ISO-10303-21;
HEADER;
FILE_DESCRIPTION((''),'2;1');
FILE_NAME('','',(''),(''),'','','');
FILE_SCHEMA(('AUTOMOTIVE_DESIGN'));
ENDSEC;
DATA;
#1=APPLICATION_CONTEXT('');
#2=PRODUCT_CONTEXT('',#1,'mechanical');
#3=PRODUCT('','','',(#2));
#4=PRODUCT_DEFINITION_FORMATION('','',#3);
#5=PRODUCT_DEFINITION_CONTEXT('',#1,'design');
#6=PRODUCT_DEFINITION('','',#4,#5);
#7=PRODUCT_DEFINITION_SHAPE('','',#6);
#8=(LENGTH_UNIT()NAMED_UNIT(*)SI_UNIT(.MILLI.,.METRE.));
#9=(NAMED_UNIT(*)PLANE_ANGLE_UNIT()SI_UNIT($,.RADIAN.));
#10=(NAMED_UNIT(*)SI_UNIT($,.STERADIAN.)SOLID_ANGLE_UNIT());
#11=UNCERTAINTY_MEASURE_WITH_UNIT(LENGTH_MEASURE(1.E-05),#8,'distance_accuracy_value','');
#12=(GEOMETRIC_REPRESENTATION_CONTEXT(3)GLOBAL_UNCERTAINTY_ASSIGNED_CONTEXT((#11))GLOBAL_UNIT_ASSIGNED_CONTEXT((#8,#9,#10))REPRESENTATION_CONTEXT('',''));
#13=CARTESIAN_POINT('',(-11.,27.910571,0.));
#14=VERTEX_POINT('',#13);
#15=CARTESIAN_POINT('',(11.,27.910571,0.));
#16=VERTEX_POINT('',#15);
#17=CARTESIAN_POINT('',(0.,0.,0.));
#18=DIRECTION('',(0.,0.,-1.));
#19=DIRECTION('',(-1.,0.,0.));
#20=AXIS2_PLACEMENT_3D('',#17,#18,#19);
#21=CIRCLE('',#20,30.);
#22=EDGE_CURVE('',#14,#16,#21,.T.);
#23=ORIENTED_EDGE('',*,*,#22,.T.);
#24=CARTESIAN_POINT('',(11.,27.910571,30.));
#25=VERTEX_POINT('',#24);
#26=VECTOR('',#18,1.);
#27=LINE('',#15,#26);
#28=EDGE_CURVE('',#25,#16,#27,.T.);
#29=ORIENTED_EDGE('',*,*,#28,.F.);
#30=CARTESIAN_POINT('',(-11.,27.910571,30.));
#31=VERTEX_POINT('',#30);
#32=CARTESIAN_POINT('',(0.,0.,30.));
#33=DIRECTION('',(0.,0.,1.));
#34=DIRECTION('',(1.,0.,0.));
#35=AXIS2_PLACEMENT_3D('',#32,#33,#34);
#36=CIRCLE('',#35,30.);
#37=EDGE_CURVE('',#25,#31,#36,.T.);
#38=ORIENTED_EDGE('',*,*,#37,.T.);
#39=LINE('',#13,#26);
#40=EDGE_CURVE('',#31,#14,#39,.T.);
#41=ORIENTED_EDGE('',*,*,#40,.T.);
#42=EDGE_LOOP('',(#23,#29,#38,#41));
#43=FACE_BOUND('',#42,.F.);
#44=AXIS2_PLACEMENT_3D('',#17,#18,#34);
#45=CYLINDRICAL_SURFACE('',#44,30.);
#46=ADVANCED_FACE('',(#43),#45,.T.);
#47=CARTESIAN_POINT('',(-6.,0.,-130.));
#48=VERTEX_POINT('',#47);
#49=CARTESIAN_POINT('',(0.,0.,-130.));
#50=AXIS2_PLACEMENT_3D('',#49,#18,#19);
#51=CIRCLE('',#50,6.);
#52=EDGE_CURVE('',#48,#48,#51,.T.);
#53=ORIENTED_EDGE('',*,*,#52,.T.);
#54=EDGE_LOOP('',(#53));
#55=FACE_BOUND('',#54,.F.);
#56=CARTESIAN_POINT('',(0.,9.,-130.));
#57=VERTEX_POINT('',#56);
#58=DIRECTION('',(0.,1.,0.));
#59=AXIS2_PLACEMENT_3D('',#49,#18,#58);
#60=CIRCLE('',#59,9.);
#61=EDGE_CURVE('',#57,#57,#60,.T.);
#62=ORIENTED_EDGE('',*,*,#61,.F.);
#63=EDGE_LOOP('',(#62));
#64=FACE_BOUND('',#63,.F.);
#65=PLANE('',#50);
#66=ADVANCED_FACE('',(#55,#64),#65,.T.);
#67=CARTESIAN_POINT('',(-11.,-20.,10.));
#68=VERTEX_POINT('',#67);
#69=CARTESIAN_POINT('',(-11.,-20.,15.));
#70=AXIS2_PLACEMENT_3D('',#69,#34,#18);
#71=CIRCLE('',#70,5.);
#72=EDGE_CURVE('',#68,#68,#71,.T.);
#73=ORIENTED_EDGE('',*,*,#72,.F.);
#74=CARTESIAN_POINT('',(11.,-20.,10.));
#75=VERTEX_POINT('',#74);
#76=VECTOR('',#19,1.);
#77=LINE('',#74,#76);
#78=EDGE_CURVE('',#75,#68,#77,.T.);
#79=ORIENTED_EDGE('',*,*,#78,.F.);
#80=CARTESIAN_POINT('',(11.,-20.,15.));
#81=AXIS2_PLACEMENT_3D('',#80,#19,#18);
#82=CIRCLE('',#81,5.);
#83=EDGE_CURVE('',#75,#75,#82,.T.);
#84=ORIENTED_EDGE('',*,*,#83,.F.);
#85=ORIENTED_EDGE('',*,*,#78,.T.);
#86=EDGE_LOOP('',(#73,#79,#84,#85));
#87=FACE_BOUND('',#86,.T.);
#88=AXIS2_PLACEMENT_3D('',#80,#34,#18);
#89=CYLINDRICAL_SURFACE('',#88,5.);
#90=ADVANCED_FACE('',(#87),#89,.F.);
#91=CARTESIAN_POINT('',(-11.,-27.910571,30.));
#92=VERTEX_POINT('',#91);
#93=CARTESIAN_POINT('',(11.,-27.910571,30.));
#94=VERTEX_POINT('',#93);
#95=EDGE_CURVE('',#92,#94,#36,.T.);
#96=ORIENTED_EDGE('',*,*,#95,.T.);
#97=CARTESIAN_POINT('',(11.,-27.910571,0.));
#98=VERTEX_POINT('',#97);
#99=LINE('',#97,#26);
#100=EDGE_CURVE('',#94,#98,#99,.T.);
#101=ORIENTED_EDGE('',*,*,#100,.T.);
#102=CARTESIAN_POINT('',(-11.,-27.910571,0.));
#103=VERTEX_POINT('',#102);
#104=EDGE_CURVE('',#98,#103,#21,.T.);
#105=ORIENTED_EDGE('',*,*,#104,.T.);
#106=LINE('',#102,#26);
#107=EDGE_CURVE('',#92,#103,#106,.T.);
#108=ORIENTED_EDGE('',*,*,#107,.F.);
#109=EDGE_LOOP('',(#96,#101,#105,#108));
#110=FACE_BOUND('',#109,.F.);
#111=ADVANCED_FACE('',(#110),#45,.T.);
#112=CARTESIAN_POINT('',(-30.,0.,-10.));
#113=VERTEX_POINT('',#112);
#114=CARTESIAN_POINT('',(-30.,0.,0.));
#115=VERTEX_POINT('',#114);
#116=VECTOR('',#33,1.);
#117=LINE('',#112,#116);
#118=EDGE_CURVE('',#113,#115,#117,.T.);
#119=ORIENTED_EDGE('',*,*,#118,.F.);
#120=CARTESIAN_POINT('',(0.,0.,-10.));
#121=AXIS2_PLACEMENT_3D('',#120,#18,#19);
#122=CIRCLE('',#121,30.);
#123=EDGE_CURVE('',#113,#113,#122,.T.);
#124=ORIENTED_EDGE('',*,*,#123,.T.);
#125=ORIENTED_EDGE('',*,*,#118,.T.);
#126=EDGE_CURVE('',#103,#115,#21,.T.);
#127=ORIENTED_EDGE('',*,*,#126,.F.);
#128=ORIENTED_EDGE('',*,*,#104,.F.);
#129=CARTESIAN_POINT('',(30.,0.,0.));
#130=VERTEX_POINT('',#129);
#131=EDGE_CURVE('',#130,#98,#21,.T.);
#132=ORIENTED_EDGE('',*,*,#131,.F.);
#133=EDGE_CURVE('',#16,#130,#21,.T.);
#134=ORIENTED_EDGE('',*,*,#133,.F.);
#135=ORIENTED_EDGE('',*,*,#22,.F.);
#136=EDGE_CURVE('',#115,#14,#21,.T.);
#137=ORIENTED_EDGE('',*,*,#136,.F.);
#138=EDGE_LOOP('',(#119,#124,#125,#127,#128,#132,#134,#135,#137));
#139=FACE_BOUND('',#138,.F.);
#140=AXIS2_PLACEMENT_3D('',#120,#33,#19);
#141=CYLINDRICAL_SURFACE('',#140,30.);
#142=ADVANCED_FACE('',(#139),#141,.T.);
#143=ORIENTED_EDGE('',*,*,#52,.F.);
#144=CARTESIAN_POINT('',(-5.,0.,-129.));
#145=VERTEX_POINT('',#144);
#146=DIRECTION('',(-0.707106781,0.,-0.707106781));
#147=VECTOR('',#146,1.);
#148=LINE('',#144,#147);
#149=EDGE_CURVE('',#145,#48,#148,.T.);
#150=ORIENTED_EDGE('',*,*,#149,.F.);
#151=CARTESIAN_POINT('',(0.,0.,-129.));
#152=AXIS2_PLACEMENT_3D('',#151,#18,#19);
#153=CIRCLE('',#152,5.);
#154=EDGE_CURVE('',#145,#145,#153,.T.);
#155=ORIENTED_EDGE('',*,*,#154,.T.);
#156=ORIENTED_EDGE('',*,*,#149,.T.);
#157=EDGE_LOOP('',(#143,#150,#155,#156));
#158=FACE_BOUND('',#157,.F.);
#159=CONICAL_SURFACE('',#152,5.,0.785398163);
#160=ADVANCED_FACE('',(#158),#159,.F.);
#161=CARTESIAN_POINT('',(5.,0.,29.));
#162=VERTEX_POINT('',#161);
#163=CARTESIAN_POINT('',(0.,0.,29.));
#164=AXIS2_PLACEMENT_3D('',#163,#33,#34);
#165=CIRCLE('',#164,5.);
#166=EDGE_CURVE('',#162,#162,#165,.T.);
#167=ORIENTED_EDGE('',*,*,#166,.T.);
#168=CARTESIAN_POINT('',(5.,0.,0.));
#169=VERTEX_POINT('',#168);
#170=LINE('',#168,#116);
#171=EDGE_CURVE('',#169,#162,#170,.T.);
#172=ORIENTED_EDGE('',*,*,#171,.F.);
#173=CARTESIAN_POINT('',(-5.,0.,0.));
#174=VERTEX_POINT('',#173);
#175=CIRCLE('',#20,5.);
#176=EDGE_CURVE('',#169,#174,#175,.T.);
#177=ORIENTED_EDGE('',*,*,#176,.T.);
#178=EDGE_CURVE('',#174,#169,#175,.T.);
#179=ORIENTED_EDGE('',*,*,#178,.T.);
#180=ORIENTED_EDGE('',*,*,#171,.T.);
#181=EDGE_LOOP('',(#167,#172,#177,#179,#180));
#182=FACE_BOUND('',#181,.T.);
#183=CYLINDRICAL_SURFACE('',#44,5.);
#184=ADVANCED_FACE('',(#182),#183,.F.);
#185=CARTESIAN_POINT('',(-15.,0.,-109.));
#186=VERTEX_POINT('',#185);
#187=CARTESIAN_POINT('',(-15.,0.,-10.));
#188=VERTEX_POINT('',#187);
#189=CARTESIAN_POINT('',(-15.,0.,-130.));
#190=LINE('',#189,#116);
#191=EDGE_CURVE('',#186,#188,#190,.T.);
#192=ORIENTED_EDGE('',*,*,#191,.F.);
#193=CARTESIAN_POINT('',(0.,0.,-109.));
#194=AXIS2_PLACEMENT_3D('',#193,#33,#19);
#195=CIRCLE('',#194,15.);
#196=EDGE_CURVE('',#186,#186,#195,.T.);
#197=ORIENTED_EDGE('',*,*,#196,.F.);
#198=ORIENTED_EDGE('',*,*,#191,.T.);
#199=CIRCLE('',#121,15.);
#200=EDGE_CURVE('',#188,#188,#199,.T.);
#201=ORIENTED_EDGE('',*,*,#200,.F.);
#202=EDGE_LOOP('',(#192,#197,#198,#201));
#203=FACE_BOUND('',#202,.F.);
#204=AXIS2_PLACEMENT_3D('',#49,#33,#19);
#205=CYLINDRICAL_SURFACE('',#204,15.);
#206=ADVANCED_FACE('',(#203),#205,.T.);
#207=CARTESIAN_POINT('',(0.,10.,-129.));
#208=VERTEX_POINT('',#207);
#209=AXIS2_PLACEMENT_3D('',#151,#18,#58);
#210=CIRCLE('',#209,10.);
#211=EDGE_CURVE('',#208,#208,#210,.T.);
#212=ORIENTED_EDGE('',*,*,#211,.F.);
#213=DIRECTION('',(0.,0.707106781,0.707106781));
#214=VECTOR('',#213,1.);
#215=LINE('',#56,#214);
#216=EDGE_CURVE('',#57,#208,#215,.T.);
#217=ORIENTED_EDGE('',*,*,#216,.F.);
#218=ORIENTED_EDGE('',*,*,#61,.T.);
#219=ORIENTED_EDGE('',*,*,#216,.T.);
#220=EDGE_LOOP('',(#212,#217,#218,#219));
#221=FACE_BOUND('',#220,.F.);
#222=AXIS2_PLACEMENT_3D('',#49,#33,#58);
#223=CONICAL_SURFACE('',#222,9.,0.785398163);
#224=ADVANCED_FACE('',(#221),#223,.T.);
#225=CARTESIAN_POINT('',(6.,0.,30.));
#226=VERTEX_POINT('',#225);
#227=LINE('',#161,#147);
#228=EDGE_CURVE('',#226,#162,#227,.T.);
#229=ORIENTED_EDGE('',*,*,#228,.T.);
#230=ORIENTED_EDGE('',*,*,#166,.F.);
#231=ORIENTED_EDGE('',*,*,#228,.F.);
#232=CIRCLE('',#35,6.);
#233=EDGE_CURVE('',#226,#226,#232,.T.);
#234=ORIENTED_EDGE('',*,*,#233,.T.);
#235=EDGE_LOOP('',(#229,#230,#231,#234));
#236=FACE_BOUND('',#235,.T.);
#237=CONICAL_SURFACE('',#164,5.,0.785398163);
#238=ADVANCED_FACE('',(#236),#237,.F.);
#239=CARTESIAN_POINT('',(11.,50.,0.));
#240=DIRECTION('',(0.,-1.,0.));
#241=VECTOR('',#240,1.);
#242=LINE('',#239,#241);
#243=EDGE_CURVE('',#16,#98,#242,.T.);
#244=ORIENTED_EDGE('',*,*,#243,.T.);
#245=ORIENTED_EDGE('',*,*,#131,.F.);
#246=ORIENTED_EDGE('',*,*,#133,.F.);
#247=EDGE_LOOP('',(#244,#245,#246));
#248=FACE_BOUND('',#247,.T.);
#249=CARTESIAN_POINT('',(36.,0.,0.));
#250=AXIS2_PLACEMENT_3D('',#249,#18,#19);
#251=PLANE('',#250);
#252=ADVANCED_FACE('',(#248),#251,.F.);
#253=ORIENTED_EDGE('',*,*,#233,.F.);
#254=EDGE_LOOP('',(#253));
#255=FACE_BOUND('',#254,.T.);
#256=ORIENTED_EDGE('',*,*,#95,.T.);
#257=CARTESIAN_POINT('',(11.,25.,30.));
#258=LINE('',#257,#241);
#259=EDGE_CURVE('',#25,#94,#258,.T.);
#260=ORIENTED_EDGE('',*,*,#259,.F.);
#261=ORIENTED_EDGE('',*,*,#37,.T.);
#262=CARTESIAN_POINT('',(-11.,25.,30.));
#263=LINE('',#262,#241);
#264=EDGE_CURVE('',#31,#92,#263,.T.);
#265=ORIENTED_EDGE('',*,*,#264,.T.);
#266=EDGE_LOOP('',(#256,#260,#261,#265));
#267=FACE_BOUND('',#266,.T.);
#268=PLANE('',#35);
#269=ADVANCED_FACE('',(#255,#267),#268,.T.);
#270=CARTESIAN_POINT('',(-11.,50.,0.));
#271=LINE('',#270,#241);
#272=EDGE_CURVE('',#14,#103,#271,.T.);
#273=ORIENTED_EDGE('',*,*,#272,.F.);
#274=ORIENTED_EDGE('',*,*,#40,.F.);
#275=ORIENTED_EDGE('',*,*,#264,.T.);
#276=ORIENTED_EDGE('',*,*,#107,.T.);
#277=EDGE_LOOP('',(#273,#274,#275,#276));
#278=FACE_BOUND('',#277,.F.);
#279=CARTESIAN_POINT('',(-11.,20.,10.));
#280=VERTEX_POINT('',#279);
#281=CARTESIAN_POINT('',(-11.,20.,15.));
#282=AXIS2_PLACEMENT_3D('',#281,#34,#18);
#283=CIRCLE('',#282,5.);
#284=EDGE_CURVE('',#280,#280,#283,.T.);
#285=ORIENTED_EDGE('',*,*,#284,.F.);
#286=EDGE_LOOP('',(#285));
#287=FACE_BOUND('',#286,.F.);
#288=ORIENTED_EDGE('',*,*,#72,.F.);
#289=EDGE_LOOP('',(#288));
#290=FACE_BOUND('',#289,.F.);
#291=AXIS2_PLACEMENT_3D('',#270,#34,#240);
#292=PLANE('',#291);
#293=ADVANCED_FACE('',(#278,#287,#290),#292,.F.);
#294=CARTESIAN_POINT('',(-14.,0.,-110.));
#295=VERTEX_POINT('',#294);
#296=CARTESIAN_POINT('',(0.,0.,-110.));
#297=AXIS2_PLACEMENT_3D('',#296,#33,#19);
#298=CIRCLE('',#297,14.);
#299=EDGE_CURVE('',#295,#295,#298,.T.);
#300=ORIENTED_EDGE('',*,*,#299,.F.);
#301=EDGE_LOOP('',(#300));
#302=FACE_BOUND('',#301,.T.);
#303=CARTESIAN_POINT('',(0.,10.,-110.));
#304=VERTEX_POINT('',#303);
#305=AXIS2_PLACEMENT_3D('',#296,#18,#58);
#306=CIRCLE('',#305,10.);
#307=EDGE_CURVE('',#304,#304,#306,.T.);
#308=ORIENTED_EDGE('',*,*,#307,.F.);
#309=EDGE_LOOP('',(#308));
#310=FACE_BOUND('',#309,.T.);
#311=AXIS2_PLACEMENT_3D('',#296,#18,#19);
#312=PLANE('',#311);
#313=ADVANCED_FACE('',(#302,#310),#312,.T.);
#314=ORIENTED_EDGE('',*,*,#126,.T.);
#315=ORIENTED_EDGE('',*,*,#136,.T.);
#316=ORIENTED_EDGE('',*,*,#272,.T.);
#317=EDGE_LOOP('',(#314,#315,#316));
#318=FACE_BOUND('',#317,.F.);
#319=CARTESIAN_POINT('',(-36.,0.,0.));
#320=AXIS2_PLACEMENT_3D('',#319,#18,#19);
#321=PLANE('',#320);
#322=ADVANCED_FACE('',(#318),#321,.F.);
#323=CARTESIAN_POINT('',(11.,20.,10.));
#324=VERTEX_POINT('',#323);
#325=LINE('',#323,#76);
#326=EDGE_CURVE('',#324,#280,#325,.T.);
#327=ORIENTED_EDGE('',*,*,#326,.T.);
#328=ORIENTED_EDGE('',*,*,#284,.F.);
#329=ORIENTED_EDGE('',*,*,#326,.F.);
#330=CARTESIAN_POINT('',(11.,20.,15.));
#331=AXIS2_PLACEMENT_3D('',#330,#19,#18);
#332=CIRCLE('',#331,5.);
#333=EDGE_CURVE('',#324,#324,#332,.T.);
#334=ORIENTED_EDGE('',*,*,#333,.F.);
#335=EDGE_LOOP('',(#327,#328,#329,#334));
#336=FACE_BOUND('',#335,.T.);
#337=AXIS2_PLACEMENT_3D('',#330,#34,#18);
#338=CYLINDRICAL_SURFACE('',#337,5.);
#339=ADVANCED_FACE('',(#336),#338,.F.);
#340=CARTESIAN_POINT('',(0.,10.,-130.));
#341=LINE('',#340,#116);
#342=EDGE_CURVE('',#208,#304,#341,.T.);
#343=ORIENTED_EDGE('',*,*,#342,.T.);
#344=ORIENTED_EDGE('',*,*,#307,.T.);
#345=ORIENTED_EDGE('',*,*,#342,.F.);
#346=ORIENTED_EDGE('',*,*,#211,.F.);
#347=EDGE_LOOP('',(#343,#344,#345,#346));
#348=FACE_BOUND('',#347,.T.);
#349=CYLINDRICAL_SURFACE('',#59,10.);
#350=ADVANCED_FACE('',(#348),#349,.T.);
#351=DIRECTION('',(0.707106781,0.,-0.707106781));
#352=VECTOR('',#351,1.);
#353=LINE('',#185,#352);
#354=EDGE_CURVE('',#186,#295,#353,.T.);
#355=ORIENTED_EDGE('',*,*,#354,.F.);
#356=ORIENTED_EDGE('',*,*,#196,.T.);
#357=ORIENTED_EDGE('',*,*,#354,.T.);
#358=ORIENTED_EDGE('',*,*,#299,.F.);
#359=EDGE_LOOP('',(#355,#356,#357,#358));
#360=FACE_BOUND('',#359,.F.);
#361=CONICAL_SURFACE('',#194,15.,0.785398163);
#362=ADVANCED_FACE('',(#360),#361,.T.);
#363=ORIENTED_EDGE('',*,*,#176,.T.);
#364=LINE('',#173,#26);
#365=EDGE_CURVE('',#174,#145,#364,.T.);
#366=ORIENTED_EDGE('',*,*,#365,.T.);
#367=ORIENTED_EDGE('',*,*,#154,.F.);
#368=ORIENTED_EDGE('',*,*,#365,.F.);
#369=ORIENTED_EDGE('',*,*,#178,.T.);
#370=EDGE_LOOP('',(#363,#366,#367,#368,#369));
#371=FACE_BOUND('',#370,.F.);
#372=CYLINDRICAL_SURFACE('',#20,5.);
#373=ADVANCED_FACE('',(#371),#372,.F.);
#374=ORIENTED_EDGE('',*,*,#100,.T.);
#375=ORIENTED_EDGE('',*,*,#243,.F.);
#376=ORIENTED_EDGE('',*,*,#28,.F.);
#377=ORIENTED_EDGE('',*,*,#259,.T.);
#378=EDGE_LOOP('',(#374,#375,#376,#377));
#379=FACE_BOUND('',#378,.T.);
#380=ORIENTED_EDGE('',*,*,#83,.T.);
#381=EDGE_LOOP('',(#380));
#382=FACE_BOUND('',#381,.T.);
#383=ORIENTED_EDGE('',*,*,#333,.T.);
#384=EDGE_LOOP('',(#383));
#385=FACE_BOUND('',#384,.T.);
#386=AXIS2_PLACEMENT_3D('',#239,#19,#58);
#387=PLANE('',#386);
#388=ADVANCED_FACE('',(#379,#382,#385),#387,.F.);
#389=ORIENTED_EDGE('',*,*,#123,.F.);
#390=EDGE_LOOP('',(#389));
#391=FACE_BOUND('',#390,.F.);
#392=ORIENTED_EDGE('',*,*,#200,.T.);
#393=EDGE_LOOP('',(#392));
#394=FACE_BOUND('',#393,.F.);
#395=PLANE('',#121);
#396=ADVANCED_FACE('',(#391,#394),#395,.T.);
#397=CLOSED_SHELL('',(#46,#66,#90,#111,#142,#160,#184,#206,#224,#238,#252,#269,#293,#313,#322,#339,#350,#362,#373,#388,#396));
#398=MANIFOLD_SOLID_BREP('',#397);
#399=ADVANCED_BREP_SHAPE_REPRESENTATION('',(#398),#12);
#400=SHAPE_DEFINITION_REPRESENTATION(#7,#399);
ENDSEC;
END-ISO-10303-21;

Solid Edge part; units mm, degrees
sketch "Sketch1" plane through (0, 0, 0) normal (0, -1, 0) x (1, 0, 0)
  line L0 (-30, 0) -> (-5, 0)
  line L1 (-5, 0) -> (-5, -130)
  line L2 (-5, -130) -> (-15, -130)
  line L3 (-15, -130) -> (-15, -10)
  line L4 (-15, -10) -> (-30, -10)
  line L5 (-30, -10) -> (-30, 0)
  dimension "D1" = 15
  dimension "D2" = 5
  dimension "D3" = 130
  dimension "D4" = 10
  dimension "D5" = 30
  dimension "D6" = 120
revolve "RevolvedProtrusion1" add sketch "Sketch1" angle 360 about axis through (0, 0, 54) along (0, 0, -1)
sketch "Sketch2" plane through (0, 0, -130) normal (0, 0, -1) x (0, 1, 0)
  circle A0 centre (0, 0) radius 10
  circle A1 centre (0, 0) radius 15
  dimension "D1" = 20
extrude "Cutout1" cut sketch "Sketch2" against normal blind 20
cosmetic_thread "Thread1" size "M20"
sketch "Sketch3" plane through (0, 0, 0) normal (0, 0, 1) x (1, 0, 0)
  circle A0 centre (0, 0) radius 30
  circle A1 centre (0, 0) radius 5
extrude "Ausprägung_1" add sketch "Sketch3" along normal blind 30
sketch "Sketch4" plane through (0, 0, 0) normal (0, 0, 1) x (1, 0, 0)
  line L0 (-61, 50) -> (-11, 50)
  line L1 (-11, 50) -> (-11, -50)
  line L2 (-11, -50) -> (-61, -50)
  line L3 (-61, -50) -> (-61, 50)
  dimension "D1" = 50
  dimension "D2" = 100
  dimension "D3" = 11
extrude "Cutout2" cut sketch "Sketch4" along normal up to next
mirror "Mirror1" about plane through (0, 0, 0) normal (1, 0, 0) of "Cutout2"
hole "Bohrung_1" at (11, -20, 15) direction (-1, 0, 0) diameter 10 end through all
hole "Hole1" at (11, 20, 15) direction (-1, 0, 0) diameter 10 end through all
extrude "Cutout4" [suppressed]
chamfer "Fase_2" distance 1 angle 45 2 edges at (0, -15, -110) (0, -10, -130)
chamfer "Fase_3" distance 1 angle 45 2 edges at (-5, 0, 30) (5, 0, -130)
properties material "Stahl"
